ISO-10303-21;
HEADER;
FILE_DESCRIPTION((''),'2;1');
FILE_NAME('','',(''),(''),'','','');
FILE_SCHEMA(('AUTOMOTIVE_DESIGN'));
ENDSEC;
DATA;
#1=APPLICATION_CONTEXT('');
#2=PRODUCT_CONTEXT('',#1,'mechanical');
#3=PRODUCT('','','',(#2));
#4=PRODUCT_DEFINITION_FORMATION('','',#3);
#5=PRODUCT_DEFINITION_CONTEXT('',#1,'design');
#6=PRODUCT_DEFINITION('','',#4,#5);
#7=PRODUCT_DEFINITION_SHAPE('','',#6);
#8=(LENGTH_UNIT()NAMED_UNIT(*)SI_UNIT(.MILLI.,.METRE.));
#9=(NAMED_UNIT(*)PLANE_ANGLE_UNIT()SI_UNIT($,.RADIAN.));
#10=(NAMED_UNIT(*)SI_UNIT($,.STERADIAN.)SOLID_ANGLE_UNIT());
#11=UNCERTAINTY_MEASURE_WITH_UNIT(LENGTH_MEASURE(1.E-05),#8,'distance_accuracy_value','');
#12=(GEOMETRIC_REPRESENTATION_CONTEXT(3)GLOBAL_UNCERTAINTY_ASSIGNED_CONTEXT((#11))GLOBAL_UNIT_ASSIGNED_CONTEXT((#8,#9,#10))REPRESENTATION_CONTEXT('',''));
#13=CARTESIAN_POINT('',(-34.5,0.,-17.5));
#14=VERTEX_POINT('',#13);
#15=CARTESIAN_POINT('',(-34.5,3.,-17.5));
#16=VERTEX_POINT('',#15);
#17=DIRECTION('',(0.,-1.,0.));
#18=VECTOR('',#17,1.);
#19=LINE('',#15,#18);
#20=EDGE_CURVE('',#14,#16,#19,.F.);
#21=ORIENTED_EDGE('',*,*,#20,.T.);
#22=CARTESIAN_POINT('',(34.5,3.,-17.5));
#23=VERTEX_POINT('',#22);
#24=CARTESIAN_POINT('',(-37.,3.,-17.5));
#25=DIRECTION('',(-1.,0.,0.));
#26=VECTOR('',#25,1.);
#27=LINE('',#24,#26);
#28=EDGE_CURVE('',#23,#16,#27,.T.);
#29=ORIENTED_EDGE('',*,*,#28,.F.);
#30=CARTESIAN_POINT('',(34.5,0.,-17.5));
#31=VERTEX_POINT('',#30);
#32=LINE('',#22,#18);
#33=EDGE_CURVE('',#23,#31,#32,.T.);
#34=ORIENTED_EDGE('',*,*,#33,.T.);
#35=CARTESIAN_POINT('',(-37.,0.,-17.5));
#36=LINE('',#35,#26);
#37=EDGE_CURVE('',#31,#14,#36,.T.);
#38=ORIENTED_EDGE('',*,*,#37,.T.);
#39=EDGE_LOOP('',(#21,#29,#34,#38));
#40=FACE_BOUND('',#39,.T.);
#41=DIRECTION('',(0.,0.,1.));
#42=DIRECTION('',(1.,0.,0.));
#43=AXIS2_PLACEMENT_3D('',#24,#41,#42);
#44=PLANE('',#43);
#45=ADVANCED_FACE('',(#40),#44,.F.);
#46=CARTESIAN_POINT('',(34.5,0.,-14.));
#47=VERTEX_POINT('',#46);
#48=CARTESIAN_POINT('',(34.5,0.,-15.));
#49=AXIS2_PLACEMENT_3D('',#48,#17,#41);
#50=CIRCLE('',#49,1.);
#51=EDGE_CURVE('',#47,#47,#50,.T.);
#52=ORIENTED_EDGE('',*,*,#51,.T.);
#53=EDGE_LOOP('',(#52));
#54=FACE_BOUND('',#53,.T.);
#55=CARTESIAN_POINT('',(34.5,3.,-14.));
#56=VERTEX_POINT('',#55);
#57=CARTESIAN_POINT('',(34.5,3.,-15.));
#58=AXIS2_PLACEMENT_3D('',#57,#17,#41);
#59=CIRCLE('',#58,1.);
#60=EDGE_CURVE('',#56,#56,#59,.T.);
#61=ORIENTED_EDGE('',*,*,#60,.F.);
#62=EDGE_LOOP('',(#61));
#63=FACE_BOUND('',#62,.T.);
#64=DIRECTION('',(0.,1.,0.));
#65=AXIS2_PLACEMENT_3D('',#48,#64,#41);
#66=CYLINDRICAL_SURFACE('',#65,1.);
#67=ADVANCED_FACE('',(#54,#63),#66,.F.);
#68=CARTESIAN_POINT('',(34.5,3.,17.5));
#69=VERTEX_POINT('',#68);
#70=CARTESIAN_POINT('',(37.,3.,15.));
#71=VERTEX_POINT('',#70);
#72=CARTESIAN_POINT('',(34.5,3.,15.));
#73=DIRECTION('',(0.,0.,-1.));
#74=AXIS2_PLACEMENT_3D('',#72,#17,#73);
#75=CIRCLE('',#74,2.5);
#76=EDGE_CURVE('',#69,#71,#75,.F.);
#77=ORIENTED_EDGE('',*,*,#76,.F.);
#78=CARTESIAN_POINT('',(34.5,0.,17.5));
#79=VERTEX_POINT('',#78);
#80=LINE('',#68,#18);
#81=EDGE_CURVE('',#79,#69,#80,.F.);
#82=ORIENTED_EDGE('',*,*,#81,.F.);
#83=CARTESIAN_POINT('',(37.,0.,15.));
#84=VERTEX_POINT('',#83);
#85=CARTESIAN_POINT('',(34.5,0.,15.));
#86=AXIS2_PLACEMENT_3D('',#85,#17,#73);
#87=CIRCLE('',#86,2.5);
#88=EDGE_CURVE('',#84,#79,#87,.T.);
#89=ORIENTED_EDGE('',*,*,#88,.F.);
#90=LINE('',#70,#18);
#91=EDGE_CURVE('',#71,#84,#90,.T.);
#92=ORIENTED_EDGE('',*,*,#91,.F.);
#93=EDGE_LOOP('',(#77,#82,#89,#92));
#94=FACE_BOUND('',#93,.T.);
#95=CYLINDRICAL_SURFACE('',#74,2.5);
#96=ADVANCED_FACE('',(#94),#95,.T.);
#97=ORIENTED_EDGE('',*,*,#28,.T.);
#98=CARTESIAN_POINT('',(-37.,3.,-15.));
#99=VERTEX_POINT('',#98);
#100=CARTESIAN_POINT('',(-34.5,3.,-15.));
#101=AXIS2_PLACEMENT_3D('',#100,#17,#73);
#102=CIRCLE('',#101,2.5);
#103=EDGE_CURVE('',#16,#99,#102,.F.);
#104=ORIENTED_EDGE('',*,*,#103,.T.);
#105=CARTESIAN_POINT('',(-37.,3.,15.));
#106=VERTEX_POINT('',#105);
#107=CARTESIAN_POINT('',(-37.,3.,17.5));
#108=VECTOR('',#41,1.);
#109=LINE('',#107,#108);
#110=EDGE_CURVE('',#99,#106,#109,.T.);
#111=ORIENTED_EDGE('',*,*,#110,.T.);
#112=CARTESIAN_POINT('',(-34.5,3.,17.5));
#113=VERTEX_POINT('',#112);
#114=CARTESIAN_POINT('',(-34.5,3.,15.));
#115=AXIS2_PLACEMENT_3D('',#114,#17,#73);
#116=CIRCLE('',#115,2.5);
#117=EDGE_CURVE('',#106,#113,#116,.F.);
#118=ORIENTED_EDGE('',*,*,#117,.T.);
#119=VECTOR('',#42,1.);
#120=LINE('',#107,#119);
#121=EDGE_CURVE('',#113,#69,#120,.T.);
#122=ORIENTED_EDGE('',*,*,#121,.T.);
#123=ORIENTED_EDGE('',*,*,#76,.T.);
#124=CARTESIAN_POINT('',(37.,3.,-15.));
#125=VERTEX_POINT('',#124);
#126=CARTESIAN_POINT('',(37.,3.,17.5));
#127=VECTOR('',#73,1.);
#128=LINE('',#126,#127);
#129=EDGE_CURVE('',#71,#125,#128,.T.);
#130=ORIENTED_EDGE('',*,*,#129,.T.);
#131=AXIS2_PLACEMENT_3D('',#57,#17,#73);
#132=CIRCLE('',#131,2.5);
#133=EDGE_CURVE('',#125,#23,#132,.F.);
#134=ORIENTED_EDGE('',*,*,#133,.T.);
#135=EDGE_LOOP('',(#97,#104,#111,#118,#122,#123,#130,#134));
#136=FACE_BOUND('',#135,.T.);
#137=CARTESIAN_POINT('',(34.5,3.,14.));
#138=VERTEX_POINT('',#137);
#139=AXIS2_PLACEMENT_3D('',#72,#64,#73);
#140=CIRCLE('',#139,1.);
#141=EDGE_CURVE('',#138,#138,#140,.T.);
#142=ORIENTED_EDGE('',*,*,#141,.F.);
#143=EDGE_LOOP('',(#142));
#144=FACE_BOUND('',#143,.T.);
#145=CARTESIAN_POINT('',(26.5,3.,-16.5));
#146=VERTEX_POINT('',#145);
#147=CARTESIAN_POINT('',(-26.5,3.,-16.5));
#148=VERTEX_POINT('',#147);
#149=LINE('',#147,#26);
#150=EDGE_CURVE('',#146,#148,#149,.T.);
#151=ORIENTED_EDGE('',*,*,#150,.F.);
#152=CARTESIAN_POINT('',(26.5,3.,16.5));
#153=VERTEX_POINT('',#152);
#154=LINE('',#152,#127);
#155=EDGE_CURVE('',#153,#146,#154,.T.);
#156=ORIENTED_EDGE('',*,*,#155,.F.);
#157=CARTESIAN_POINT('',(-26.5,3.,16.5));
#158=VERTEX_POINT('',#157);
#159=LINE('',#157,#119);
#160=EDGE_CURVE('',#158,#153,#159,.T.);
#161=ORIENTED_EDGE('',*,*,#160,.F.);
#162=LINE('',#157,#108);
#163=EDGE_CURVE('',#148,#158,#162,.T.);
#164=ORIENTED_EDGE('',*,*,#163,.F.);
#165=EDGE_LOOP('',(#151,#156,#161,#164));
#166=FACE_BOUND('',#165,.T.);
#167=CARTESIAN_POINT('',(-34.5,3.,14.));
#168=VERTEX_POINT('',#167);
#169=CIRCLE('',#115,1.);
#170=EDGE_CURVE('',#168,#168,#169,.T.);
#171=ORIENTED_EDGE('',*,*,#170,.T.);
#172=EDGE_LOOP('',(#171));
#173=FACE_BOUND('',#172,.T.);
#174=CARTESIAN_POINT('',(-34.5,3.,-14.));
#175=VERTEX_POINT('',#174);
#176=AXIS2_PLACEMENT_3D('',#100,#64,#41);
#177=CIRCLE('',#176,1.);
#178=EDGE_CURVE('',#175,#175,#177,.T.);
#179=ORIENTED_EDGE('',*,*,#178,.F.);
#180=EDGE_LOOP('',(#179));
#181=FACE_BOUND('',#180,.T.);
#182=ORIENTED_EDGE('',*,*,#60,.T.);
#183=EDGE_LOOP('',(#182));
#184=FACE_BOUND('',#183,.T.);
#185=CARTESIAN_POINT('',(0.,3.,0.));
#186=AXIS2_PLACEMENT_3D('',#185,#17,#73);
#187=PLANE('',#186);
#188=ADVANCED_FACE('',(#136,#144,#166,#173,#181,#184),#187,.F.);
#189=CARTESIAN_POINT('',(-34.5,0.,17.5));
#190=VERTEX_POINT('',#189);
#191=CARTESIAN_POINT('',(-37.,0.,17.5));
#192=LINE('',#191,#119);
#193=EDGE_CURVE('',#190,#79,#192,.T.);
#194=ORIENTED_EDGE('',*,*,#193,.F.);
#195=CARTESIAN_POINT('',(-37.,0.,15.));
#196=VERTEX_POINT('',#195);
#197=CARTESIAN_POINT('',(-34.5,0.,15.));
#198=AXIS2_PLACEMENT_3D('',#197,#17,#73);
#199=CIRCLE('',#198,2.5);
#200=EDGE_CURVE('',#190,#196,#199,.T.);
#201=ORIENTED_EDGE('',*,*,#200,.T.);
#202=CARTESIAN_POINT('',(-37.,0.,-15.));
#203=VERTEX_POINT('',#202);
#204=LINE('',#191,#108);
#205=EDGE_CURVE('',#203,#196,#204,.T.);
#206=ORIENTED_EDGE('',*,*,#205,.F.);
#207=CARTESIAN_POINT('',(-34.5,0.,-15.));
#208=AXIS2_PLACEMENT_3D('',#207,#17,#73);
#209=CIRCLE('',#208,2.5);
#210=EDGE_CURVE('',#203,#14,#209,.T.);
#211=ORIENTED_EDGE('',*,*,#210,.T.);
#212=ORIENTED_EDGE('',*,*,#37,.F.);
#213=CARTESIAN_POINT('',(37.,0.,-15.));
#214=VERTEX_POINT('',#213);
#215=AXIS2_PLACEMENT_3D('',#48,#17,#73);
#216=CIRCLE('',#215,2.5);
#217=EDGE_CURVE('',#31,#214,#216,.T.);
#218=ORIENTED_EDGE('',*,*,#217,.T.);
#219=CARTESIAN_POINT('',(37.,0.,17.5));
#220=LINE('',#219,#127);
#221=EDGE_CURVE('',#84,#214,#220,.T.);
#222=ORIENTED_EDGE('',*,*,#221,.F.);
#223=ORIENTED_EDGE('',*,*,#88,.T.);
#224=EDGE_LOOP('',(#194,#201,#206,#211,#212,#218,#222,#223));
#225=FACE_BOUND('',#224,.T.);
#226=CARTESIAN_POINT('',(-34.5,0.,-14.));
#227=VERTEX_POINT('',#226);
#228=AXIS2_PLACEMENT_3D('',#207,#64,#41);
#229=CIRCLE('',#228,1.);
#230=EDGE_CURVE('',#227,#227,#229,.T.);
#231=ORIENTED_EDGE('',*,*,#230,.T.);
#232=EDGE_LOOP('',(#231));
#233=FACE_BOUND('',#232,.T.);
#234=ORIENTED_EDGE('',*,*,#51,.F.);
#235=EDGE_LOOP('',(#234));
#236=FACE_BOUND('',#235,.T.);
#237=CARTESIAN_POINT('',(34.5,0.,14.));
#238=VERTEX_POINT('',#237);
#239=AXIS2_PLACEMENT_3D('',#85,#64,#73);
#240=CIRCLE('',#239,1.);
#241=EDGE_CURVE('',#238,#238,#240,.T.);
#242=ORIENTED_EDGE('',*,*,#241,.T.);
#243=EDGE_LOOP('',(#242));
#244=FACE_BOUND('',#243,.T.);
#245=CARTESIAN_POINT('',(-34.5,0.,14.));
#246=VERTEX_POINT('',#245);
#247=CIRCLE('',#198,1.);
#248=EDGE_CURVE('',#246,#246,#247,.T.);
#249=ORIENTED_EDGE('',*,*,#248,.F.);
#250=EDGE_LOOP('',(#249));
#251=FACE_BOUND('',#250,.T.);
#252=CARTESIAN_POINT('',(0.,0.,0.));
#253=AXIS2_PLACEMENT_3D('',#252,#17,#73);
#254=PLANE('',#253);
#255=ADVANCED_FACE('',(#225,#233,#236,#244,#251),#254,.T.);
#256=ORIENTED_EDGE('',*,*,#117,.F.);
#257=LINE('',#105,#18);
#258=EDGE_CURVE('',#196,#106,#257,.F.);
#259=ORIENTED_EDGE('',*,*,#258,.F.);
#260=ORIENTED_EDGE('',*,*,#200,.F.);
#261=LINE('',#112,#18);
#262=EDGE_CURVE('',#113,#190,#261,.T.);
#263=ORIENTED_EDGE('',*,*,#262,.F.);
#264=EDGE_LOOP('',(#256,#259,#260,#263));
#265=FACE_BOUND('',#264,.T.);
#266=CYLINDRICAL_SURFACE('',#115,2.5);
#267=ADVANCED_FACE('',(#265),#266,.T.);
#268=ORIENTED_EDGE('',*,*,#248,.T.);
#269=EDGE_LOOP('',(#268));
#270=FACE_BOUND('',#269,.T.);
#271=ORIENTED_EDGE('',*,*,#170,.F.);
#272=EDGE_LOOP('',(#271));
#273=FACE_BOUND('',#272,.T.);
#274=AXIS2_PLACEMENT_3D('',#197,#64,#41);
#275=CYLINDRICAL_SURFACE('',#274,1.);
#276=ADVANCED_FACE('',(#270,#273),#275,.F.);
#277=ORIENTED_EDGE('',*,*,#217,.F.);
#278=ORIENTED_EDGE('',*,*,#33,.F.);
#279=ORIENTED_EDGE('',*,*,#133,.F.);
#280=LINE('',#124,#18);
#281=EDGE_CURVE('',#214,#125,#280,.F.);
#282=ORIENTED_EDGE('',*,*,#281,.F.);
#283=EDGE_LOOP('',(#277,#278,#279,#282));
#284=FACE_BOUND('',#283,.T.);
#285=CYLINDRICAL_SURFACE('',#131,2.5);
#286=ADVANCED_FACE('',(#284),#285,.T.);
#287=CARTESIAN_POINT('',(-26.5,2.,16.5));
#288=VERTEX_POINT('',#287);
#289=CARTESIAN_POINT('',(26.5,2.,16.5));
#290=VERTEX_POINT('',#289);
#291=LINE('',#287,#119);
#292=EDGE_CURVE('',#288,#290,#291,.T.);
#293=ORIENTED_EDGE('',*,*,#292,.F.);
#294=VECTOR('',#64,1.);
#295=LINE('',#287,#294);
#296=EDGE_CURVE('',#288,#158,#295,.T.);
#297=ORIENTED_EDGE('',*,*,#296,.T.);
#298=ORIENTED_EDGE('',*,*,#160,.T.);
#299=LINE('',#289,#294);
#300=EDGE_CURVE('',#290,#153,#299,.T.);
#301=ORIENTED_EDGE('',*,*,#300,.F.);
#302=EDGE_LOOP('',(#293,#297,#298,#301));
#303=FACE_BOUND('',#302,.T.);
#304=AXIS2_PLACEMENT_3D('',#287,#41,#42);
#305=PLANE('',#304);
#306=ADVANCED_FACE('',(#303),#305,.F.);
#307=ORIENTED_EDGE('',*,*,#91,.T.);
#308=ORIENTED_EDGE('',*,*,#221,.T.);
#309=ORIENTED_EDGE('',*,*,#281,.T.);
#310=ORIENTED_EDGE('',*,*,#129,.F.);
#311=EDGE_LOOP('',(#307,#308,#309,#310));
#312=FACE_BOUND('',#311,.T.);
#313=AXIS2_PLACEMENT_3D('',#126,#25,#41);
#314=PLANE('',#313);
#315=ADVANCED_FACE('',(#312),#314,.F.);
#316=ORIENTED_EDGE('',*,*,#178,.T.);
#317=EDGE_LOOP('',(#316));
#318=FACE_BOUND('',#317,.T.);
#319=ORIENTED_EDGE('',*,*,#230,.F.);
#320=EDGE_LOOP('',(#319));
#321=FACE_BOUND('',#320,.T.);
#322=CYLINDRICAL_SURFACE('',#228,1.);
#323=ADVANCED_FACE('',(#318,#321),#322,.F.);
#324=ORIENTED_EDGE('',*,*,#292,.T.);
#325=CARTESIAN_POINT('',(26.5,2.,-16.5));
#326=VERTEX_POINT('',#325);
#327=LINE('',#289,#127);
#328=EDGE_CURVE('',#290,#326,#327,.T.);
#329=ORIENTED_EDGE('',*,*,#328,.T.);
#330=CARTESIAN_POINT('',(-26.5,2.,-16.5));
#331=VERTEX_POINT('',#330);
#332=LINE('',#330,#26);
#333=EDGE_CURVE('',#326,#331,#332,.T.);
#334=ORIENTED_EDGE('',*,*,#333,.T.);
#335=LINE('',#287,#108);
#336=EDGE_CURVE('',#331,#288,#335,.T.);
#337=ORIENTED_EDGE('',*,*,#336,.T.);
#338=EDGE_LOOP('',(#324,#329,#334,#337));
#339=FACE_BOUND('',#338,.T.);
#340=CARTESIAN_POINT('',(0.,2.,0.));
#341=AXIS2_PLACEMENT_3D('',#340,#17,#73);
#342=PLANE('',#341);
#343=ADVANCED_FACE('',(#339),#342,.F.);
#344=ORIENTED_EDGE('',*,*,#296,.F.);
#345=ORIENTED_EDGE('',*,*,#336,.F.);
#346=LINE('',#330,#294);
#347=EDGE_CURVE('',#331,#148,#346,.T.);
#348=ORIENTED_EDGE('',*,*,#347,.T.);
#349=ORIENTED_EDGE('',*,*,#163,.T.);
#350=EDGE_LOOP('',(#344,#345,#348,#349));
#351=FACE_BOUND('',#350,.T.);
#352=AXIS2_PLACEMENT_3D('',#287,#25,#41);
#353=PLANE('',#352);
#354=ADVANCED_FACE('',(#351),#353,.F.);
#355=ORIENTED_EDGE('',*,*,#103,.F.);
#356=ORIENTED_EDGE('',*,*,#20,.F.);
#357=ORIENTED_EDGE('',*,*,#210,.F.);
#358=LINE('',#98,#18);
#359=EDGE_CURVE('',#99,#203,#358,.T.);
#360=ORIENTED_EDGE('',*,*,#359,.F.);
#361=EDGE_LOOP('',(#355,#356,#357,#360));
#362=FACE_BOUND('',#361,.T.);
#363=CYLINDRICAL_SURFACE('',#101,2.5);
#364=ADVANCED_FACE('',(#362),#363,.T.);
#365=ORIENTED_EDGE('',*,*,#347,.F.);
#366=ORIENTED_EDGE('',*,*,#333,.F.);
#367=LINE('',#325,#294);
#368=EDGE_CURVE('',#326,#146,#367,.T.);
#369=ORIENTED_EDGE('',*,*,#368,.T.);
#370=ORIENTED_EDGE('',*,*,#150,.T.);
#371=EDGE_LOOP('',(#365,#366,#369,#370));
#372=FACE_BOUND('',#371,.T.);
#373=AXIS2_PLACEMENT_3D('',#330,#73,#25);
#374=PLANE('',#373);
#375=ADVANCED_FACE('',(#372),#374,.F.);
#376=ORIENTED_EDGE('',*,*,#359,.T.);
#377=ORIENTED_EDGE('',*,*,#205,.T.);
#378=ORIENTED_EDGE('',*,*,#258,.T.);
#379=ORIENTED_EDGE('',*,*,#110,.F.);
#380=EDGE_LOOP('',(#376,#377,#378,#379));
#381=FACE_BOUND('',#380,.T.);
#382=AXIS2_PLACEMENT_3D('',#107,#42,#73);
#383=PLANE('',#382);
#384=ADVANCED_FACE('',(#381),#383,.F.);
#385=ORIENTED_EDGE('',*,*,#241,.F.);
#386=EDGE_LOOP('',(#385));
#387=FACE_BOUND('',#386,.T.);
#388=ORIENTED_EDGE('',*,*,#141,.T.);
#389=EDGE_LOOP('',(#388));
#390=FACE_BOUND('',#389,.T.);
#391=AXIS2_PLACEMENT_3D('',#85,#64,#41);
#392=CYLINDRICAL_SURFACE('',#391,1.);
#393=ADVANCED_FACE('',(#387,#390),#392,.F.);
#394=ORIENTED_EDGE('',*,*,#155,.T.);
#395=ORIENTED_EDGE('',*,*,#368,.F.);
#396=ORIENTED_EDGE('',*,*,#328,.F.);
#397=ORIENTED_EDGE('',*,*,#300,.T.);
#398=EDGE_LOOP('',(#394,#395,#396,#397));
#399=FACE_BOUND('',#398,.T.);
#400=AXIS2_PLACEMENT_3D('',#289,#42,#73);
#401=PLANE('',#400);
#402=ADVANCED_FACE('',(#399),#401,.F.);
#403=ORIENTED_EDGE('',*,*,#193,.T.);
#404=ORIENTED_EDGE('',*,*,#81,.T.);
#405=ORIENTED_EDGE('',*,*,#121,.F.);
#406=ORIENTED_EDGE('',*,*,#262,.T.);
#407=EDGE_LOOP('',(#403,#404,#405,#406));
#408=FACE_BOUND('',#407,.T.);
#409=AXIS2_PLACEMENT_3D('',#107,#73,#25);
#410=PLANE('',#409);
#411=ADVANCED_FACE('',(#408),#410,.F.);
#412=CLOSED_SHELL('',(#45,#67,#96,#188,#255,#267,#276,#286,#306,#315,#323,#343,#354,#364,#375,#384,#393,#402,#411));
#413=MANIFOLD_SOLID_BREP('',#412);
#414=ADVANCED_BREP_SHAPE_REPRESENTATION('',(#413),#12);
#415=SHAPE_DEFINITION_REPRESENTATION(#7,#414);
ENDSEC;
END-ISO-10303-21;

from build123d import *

# Parameters (mm, degrees)
SZKIC1_W                    = 74
SZKIC1_H                    = 35
DODANIE_WYCI_GNI_CIE1_DEPTH = 3
SZKIC2_W                    = 53
SZKIC2_H                    = 33
WYTNIJ_WYCI_GNI_CIE1_DEPTH  = 1
SZKIC4_R                    = 1
WYTNIJ_WYCI_GNI_CIE2_DEPTH  = 42.039615008
ZAOKR_GLENIE1_R             = 2.5
LUSTRO2_COPY_1_SKETCH_R     = 1
LUSTRO2_COPY_1_DEPTH        = 42.039615008


with BuildPart() as part:
    # Szkic1 → Dodanie-wyciągnięcie1 (new body)
    with BuildSketch(Plane(origin=(0, 0, 0), x_dir=(1, 0, 0), z_dir=(0, 1, 0))):
        Rectangle(SZKIC1_W, SZKIC1_H)
    extrude(amount=DODANIE_WYCI_GNI_CIE1_DEPTH)

    # Szkic2 → Wytnij-wyciągnięcie1 (cut)
    with BuildSketch(Plane(origin=(0, 3, 0), x_dir=(1, 0, 0), z_dir=(0, 1, 0))):
        Rectangle(SZKIC2_W, SZKIC2_H)
    extrude(amount=-WYTNIJ_WYCI_GNI_CIE1_DEPTH, mode=Mode.SUBTRACT)

    # Szkic4 → Wytnij-wyciągnięcie2 (cut, through all)
    with BuildSketch(Plane(origin=(0, 3, 0), x_dir=(1, 0, 0), z_dir=(0, 1, 0))):
        with Locations(Location((-34.5, 15, 0), (0, 0, 270))):
            Circle(SZKIC4_R)
    wytnij_wyci_gni_cie2 = extrude(amount=-WYTNIJ_WYCI_GNI_CIE2_DEPTH, mode=Mode.SUBTRACT)

    # Zaokrąglenie1
    zaokr_glenie1_edges = [part.edges().sort_by_distance(p)[0] for p in [
        (37, 1.5, 17.5),
        (-37, 1.5, 17.5),
        (-37, 1.5, -17.5),
        (37, 1.5, -17.5),
    ]]
    fillet(zaokr_glenie1_edges, radius=ZAOKR_GLENIE1_R)

    # Lustro1: Wytnij-wyciągnięcie2 across plane
    add(wytnij_wyci_gni_cie2.mirror(Plane.XY), mode=Mode.SUBTRACT)

    # Lustro2: Wytnij-wyciągnięcie2 across plane
    add(wytnij_wyci_gni_cie2.mirror(Plane(origin=(0, 0, 0), x_dir=(0, 0, 1), z_dir=(1, 0, 0))), mode=Mode.SUBTRACT)

    # Lustro2 copy 1 sketch → Lustro2 copy 1 (cut, through all)
    with BuildSketch(Plane(origin=(0, 3, 0), x_dir=(-1, 0, 0), z_dir=(0, 1, 0))):
        with Locations(Location((-34.5, 15, 0), (0, 0, 270))):
            Circle(LUSTRO2_COPY_1_SKETCH_R)
    extrude(amount=-LUSTRO2_COPY_1_DEPTH, mode=Mode.SUBTRACT)


solid = part.part
